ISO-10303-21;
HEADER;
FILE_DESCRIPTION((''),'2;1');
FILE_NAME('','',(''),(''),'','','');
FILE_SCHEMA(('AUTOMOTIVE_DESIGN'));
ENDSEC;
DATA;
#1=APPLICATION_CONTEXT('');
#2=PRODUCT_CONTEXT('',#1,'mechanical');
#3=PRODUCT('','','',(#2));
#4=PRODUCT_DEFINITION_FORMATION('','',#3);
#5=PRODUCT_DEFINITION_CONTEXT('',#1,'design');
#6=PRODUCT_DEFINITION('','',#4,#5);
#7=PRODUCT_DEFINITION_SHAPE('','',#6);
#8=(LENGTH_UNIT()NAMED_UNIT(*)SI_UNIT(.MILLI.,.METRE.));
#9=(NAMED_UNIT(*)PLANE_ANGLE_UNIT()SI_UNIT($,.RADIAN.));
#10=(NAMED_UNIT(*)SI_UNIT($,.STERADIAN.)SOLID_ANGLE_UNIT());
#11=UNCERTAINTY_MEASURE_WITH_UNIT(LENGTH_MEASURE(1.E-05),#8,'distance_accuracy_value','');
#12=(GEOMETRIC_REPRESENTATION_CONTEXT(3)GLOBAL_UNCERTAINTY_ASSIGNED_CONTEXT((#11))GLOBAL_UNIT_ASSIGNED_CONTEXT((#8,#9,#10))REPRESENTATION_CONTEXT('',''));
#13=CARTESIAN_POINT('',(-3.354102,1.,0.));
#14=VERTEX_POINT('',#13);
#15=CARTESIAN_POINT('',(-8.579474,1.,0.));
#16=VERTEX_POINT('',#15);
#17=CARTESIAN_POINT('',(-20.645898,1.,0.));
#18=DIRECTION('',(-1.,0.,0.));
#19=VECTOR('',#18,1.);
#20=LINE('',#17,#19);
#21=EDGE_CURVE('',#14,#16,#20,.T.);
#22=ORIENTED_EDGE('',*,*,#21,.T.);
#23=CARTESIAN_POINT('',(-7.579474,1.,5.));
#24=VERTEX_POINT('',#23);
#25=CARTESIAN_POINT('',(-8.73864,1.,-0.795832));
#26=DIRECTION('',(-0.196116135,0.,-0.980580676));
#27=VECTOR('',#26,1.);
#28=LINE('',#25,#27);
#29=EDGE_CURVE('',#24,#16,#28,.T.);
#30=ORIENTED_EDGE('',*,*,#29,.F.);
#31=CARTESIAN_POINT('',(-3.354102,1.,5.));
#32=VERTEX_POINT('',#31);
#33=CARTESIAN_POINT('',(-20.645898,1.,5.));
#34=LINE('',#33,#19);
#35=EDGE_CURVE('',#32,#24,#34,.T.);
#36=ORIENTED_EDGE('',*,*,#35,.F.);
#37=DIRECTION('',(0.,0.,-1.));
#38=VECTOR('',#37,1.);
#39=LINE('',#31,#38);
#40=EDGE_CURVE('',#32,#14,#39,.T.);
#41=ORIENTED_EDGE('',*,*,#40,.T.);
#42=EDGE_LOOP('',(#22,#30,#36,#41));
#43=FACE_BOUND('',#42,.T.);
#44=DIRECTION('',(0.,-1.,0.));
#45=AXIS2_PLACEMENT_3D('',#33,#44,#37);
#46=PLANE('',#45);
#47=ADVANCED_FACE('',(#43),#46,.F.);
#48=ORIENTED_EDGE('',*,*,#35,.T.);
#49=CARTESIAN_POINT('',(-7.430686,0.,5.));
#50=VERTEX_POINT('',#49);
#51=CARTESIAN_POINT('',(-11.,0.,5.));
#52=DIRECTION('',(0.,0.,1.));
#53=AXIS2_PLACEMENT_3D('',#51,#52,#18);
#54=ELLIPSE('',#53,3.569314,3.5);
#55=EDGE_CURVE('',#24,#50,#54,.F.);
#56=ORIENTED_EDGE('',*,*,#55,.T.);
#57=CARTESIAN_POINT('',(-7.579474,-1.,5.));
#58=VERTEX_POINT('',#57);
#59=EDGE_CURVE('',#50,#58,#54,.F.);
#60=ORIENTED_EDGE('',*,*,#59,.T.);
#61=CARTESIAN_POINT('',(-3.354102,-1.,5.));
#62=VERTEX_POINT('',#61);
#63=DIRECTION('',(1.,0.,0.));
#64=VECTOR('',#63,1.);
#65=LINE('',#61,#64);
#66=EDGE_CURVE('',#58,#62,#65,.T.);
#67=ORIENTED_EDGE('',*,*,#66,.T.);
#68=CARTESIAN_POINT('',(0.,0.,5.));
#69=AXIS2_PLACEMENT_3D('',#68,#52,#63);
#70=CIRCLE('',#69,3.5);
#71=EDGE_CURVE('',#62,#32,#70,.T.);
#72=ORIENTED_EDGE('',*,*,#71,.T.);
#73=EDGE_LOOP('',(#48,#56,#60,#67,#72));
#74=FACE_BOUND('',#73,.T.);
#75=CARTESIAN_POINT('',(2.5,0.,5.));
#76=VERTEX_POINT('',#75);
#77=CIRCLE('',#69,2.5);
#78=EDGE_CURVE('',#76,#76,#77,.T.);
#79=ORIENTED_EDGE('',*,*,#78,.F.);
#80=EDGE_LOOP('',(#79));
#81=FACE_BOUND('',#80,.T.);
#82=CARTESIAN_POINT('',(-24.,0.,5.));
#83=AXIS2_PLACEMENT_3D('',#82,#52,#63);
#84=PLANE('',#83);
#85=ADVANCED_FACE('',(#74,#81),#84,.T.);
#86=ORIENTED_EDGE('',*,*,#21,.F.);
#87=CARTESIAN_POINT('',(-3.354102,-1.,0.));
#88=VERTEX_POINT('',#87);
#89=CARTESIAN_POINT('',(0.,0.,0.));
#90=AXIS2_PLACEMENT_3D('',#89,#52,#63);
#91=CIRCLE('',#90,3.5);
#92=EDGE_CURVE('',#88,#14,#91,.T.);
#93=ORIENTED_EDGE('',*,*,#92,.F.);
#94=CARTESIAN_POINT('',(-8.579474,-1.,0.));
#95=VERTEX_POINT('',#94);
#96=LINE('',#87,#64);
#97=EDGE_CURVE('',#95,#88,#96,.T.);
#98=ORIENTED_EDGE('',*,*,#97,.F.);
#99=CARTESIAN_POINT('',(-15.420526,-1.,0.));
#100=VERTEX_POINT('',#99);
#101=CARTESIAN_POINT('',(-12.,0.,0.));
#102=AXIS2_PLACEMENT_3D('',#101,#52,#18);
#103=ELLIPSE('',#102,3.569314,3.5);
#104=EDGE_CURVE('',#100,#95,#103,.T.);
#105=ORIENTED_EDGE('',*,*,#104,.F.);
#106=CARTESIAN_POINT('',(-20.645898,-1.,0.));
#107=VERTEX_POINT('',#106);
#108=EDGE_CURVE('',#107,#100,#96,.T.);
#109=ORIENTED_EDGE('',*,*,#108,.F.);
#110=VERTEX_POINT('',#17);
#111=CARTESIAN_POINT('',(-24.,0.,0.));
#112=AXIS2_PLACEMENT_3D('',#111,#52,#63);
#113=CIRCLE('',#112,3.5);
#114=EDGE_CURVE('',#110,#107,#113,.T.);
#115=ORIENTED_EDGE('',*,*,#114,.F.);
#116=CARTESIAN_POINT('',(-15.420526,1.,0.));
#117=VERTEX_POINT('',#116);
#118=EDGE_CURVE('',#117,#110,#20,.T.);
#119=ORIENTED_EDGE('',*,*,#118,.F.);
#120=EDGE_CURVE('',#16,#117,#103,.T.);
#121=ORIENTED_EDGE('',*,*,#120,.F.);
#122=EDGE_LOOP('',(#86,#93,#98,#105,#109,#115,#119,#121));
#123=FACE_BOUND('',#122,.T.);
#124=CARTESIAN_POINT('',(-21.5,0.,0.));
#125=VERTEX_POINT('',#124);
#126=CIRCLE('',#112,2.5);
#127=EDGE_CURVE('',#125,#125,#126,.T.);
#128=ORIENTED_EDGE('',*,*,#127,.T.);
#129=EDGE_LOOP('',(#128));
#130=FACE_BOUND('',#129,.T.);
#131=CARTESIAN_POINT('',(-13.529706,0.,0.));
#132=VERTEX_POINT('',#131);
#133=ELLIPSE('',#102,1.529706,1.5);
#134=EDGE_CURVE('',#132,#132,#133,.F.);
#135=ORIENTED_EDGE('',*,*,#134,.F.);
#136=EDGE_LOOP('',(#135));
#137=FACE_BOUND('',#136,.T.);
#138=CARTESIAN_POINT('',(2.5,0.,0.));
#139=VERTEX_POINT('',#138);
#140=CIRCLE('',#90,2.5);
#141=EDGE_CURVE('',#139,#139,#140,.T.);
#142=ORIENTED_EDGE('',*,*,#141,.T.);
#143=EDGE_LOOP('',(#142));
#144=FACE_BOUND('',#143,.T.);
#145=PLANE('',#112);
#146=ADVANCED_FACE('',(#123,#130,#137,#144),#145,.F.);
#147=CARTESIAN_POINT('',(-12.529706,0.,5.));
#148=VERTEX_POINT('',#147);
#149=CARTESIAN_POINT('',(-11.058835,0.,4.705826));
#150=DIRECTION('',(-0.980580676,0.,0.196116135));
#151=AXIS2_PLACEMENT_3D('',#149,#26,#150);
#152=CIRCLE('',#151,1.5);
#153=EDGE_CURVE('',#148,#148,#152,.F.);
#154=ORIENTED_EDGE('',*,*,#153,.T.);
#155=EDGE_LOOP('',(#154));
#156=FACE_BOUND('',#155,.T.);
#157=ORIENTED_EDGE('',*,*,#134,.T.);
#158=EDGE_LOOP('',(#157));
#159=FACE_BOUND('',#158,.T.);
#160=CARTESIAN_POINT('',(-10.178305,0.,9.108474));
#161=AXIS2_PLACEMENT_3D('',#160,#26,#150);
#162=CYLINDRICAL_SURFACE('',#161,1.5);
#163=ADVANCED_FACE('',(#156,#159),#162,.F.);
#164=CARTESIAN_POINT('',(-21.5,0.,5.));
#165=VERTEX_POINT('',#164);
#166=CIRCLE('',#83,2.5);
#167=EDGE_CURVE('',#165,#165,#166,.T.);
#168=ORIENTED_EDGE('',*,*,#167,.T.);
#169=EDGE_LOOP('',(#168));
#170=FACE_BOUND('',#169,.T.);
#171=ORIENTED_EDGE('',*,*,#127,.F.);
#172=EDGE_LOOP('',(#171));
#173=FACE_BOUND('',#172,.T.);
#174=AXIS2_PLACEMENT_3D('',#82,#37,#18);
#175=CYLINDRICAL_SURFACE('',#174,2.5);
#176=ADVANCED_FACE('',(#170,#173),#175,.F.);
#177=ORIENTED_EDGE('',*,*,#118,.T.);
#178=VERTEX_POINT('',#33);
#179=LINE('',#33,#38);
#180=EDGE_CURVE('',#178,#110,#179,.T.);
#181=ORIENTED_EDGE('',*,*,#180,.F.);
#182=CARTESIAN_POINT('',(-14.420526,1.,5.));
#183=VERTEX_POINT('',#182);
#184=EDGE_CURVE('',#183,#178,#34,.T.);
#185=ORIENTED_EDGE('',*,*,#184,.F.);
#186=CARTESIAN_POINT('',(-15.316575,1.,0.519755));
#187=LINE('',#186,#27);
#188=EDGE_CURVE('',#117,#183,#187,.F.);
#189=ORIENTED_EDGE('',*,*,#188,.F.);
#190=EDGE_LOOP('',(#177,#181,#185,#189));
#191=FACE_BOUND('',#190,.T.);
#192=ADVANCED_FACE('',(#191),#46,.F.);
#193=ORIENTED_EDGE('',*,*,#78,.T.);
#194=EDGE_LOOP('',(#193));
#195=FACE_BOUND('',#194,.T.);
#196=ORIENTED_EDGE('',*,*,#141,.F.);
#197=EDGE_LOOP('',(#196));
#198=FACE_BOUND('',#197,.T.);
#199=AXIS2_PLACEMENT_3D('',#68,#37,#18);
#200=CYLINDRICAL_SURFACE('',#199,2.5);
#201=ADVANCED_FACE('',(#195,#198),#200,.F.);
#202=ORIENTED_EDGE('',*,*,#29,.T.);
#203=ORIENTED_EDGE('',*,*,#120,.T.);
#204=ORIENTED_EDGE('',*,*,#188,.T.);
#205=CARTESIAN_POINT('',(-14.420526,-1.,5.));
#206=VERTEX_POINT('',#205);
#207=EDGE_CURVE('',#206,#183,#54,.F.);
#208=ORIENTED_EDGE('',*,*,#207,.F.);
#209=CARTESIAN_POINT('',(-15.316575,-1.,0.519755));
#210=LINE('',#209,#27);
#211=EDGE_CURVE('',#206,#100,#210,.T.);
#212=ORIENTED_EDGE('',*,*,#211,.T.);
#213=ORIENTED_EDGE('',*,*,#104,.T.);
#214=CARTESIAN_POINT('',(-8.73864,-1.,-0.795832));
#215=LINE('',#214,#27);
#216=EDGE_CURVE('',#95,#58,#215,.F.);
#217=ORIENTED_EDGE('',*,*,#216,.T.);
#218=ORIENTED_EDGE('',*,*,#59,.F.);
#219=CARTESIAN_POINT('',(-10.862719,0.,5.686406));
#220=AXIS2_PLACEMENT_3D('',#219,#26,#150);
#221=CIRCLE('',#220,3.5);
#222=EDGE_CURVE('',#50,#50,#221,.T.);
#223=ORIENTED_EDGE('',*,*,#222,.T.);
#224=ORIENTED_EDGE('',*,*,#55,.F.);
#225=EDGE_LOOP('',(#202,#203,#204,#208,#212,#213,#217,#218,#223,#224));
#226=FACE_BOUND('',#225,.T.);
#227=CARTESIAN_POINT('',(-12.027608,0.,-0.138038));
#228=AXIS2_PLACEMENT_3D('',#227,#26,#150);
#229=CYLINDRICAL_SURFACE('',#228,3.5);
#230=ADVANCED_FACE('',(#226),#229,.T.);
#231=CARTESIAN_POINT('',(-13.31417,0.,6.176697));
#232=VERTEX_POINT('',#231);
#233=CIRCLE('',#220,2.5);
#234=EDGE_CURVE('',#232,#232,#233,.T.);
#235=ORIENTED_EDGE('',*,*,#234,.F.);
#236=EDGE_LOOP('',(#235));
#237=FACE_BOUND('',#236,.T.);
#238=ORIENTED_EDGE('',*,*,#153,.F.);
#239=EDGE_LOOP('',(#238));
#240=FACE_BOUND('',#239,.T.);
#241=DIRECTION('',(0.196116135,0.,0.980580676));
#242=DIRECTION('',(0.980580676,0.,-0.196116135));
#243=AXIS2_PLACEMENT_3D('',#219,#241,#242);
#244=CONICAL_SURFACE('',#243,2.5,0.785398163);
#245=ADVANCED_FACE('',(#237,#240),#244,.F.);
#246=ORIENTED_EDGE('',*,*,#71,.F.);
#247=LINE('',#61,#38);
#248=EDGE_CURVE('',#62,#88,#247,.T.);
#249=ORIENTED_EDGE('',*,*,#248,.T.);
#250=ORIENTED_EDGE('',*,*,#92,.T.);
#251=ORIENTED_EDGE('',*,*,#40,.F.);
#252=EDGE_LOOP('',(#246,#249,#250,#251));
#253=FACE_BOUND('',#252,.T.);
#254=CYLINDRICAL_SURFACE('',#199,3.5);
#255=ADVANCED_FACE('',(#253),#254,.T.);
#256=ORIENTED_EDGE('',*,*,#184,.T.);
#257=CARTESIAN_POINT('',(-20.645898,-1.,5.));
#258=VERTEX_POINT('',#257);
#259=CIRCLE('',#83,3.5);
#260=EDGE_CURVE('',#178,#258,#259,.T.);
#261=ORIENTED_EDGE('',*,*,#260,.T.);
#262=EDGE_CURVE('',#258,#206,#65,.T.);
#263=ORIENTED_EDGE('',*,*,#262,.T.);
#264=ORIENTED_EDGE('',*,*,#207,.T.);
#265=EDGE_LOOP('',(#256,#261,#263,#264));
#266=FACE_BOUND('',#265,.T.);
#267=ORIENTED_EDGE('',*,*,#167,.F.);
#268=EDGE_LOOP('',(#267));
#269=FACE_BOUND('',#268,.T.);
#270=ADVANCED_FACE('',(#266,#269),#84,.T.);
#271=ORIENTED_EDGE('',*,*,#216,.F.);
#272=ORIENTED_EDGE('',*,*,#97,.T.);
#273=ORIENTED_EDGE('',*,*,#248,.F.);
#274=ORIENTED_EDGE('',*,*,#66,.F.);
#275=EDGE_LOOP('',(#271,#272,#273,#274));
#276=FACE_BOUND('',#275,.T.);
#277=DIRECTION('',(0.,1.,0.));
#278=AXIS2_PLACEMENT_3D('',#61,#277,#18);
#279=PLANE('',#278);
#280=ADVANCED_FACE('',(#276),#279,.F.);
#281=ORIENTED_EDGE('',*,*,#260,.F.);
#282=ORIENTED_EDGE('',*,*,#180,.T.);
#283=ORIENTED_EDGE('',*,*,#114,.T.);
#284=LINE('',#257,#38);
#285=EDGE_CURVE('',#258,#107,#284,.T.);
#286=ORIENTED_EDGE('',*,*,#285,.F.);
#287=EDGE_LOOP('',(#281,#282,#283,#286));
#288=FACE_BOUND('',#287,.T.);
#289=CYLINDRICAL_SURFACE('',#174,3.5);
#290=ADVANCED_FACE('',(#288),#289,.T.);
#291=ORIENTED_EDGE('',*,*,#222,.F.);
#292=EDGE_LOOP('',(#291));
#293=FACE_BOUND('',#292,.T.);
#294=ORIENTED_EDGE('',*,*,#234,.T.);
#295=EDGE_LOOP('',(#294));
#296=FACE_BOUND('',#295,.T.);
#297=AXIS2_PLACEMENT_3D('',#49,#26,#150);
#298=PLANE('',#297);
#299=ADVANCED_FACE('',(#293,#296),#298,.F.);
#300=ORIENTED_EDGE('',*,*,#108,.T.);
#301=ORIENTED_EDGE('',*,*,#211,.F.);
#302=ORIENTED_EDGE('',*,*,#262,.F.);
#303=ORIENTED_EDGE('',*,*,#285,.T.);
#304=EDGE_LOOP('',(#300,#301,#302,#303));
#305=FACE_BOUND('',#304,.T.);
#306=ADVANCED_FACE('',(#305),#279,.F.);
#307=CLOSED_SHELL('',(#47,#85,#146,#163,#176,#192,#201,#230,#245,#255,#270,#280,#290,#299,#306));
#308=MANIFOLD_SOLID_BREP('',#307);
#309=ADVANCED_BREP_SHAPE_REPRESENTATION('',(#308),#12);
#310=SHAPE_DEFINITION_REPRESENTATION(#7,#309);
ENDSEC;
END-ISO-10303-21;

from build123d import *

# Parameters (mm, degrees)
SKETCH1_R               = 2.5
BOSS_EXTRUDE1_DEPTH     = 5
SKETCH4_R               = 1.5
CUT_EXTRUDE1_DEPTH      = 10.988857319
SKETCH5_W               = 10.682767576
SKETCH5_H               = 3.673973587
CUT_EXTRUDE2_DEPTH      = 4.5
CUT_EXTRUDE2_DEPTH_BACK = 4.5
CHAMFER1_SIZE           = 1


with BuildPart() as part:
    # Sketch1 → Boss-Extrude1 (new body)
    with BuildSketch(Plane.XY):
        with BuildLine():
            Line((-20.645898034, 1), (-3.354101966, 1))
            ThreePointArc((-3.354101966, 1), (3.5, 0), (-3.354101966, -1))
            Line((-3.354101966, -1), (-20.645898034, -1))
            ThreePointArc((-20.645898034, -1), (-27.5, 0), (-20.645898034, 1))
        make_face()
        Circle(SKETCH1_R, mode=Mode.SUBTRACT)
        with Locations((-24, 0)):
            Circle(SKETCH1_R, mode=Mode.SUBTRACT)
    extrude(amount=BOSS_EXTRUDE1_DEPTH)

    # Sketch3 → Revolve1 (revolve)
    with BuildSketch(Plane(origin=(0, 0, 0), x_dir=(1, 0, 0), z_dir=(0, 1, 0))):
        Polygon((-8.70524893, 1.372812946), (-7.43068634, -5), (-10.862718705, -5.686406473), (-12.137281295, 0.686406473), align=None)
    revolve(axis=Axis((-12.027607656, 0, -0.138038281), (0.196116135, 0, 0.980580676)))

    # Sketch4 → Cut-Extrude1 (cut, through all)
    with BuildSketch(Plane(origin=(-0.598819756, 0, -2.994098781), x_dir=(-0.980580676, 0, 0.196116135), z_dir=(-0.196116135, 0, -0.980580676))):
        with Locations((11.766968108, 0)):
            Circle(SKETCH4_R)
    extrude(amount=-CUT_EXTRUDE1_DEPTH, mode=Mode.SUBTRACT)

    # Sketch5 → Cut-Extrude2 (cut, two sides)
    with BuildSketch(Plane(origin=(0, 0, 0), x_dir=(1, 0, 0), z_dir=(0, 1, 0))) as cut_extrude2_sk:
        with Locations((-12.153708886, 1.836986794)):
            Rectangle(SKETCH5_W, SKETCH5_H)
    extrude(amount=CUT_EXTRUDE2_DEPTH, mode=Mode.SUBTRACT)
    extrude(cut_extrude2_sk.sketch, amount=-CUT_EXTRUDE2_DEPTH_BACK, mode=Mode.SUBTRACT)

    # Chamfer1
    chamfer1_edges = [part.edges().sort_by_distance(p)[0] for p in [
        (-9.391847692, 0, 5.39223227),
    ]]
    chamfer(chamfer1_edges, length=CHAMFER1_SIZE)


solid = part.part
